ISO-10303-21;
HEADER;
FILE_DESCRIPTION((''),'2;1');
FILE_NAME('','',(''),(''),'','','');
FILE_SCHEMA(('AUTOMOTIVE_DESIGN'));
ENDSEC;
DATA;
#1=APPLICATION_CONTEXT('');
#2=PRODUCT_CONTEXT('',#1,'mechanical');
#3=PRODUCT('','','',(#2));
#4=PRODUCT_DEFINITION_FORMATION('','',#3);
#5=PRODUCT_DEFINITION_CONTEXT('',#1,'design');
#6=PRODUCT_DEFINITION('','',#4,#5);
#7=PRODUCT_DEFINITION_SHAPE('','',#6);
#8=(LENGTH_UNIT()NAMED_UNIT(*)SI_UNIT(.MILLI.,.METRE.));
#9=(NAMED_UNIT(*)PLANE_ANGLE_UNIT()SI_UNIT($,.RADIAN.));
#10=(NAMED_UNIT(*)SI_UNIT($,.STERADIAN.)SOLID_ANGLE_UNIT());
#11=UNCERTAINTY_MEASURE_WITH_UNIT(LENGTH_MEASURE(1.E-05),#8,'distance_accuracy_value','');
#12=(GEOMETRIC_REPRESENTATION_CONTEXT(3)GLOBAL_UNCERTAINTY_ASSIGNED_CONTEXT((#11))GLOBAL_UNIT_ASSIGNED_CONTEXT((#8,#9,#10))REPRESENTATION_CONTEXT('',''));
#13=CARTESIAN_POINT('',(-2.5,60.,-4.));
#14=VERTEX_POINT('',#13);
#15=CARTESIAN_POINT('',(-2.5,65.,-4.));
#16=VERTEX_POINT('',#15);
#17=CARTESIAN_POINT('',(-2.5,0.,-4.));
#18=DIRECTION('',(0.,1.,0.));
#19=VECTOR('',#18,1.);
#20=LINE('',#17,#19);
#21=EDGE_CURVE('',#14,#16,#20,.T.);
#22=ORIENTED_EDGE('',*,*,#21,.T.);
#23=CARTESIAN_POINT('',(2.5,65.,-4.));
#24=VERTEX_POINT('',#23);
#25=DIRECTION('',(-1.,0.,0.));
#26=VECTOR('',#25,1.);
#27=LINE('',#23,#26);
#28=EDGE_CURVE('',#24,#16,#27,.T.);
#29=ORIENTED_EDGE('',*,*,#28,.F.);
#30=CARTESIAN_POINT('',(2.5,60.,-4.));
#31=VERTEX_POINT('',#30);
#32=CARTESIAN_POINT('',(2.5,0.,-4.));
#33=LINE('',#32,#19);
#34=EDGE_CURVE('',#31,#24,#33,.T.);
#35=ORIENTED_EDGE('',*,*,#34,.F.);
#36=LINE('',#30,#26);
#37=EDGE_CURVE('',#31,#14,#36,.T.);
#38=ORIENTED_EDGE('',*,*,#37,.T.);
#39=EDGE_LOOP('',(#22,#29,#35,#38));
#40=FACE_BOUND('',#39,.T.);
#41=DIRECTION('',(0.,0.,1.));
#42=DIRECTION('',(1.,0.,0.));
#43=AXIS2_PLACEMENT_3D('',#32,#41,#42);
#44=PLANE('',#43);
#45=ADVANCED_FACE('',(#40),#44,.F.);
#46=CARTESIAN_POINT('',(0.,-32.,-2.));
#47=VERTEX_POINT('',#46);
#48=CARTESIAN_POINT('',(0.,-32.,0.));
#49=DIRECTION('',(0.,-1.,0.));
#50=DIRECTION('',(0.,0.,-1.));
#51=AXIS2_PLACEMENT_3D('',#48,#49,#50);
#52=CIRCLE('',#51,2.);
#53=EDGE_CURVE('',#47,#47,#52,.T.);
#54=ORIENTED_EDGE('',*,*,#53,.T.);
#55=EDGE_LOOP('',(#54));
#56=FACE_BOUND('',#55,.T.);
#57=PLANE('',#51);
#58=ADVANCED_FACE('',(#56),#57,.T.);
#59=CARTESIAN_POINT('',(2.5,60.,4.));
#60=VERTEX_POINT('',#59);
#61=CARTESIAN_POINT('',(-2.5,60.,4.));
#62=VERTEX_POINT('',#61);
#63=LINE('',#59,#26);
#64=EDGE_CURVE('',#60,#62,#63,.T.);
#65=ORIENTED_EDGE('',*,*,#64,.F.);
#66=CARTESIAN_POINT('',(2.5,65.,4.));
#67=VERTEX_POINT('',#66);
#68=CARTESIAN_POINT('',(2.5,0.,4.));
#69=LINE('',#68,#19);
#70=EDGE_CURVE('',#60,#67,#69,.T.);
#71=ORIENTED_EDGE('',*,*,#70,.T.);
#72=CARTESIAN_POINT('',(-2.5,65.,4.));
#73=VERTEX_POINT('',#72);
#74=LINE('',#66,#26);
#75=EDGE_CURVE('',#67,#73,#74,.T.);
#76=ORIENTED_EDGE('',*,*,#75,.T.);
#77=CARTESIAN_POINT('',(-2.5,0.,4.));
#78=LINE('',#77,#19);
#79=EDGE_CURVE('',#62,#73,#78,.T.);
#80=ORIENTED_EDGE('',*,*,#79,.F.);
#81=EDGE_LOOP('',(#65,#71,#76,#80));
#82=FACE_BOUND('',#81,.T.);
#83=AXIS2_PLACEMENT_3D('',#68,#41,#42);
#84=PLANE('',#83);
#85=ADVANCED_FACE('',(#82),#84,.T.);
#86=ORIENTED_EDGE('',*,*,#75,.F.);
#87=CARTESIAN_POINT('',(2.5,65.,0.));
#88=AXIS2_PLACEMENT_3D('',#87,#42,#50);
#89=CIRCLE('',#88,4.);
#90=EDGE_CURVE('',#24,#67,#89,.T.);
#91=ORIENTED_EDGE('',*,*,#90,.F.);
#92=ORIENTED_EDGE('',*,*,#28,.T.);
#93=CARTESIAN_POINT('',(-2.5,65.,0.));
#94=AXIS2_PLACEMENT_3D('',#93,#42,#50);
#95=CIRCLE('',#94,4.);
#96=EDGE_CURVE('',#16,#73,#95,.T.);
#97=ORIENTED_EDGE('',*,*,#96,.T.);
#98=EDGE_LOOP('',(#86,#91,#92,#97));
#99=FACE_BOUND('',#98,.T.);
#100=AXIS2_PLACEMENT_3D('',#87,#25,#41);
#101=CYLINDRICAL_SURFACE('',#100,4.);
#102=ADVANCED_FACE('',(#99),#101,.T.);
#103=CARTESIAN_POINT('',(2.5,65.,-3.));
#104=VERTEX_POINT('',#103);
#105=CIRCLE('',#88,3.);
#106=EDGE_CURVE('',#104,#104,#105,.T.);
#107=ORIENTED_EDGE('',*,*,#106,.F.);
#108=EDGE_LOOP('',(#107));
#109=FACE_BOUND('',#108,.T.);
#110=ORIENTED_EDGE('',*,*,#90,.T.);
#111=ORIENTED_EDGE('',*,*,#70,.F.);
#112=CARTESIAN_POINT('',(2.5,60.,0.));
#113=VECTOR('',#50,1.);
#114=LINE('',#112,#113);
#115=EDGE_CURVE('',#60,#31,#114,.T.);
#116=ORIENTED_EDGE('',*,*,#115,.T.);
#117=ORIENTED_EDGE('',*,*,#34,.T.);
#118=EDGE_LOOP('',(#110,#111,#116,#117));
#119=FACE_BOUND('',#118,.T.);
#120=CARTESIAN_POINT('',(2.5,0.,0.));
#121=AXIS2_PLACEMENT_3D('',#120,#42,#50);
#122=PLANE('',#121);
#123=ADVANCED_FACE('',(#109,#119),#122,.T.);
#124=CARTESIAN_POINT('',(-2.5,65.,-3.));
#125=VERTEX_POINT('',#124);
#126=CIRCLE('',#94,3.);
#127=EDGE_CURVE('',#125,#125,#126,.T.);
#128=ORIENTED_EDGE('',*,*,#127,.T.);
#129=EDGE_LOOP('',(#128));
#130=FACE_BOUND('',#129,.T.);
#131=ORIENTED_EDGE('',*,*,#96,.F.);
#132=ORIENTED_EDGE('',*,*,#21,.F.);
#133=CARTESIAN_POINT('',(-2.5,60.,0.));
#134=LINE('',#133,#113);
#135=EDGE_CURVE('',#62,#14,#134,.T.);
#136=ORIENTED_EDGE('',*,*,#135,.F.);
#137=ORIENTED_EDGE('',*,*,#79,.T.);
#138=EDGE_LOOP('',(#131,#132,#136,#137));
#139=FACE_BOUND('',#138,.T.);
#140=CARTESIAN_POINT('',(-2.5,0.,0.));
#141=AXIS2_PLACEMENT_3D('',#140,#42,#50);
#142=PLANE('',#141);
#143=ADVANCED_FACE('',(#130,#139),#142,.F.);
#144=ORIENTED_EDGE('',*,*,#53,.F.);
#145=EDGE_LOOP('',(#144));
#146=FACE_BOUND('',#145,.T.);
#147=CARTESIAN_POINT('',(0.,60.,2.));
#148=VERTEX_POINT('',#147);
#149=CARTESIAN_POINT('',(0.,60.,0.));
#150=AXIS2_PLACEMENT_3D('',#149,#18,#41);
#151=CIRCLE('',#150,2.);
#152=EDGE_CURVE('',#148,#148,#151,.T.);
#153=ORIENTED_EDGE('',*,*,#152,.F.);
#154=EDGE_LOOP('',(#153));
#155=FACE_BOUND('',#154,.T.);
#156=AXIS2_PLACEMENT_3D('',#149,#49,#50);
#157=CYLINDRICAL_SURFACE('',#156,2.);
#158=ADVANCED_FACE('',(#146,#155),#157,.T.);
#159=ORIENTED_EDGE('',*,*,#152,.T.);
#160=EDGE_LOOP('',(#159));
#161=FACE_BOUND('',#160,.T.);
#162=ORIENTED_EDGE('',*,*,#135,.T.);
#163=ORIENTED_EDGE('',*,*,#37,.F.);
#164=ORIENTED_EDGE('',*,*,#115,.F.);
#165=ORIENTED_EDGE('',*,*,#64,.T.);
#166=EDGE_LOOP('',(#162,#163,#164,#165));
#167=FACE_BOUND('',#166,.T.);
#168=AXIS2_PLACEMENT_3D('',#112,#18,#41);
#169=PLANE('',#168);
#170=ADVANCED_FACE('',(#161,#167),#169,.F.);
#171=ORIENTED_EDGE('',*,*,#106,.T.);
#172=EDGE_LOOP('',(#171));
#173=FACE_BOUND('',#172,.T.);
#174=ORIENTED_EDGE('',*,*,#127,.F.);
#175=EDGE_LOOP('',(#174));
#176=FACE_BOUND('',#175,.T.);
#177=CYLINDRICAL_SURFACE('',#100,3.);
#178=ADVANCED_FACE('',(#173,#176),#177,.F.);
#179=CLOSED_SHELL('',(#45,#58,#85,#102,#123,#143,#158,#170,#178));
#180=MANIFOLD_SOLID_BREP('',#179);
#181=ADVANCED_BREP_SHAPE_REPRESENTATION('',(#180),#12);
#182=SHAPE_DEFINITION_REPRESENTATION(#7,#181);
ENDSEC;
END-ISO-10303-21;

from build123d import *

# Parameters (mm, degrees)
SKETCH_1_R       = 2
EXTRUDE_1_DEPTH  = 60
SKETCH_8_R       = 3
EXTRUDE_8_DEPTH  = 2.5
EXTRUDE_START    = 15
SKETCH_9_R       = 2
EXTRUDE_9_DEPTH  = 15
EXTRUDE_START_2  = 5
SKETCH_12_R      = 2
EXTRUDE_11_DEPTH = 5
EXTRUDE_START_3  = 17
SKETCH_10_R      = 2
EXTRUDE_10_DEPTH = 12


with BuildPart() as part:
    # 草图1 → 凸台-拉伸1 (new body)
    with BuildSketch(Plane(origin=(0, 0, 0), x_dir=(1, 0, 0), z_dir=(0, 1, 0))):
        Circle(SKETCH_1_R)
    extrude(amount=EXTRUDE_1_DEPTH)

    # 草图8 → 凸台-拉伸8 (add, symmetric)
    with BuildSketch(Plane(origin=(0, 0, 0), x_dir=(0, 0, -1), z_dir=(1, 0, 0))):
        with BuildLine():
            Line((-4, 65), (-4, 60))
            Line((-4, 60), (4, 60))
            Line((4, 60), (4, 65))
            ThreePointArc((4, 65), (0, 69), (-4, 65))
        make_face()
        with Locations((0, 65)):
            Circle(SKETCH_8_R, mode=Mode.SUBTRACT)
    extrude(amount=EXTRUDE_8_DEPTH, both=True)

    # 草图9 → 凸台-拉伸9 (add)
    with BuildSketch(Plane.XZ.offset(EXTRUDE_START)):
        Circle(SKETCH_9_R)
    extrude(amount=-EXTRUDE_9_DEPTH)

    # 草图12 → 凸台-拉伸11 (add)
    with BuildSketch(Plane.XZ.offset(15).offset(EXTRUDE_START_2)):
        Circle(SKETCH_12_R)
    extrude(amount=-EXTRUDE_11_DEPTH)

    # 草图10 → 凸台-拉伸10 (add)
    with BuildSketch(Plane.XZ.offset(15).offset(EXTRUDE_START_3)):
        Circle(SKETCH_10_R)
    extrude(amount=-EXTRUDE_10_DEPTH)


solid = part.part
